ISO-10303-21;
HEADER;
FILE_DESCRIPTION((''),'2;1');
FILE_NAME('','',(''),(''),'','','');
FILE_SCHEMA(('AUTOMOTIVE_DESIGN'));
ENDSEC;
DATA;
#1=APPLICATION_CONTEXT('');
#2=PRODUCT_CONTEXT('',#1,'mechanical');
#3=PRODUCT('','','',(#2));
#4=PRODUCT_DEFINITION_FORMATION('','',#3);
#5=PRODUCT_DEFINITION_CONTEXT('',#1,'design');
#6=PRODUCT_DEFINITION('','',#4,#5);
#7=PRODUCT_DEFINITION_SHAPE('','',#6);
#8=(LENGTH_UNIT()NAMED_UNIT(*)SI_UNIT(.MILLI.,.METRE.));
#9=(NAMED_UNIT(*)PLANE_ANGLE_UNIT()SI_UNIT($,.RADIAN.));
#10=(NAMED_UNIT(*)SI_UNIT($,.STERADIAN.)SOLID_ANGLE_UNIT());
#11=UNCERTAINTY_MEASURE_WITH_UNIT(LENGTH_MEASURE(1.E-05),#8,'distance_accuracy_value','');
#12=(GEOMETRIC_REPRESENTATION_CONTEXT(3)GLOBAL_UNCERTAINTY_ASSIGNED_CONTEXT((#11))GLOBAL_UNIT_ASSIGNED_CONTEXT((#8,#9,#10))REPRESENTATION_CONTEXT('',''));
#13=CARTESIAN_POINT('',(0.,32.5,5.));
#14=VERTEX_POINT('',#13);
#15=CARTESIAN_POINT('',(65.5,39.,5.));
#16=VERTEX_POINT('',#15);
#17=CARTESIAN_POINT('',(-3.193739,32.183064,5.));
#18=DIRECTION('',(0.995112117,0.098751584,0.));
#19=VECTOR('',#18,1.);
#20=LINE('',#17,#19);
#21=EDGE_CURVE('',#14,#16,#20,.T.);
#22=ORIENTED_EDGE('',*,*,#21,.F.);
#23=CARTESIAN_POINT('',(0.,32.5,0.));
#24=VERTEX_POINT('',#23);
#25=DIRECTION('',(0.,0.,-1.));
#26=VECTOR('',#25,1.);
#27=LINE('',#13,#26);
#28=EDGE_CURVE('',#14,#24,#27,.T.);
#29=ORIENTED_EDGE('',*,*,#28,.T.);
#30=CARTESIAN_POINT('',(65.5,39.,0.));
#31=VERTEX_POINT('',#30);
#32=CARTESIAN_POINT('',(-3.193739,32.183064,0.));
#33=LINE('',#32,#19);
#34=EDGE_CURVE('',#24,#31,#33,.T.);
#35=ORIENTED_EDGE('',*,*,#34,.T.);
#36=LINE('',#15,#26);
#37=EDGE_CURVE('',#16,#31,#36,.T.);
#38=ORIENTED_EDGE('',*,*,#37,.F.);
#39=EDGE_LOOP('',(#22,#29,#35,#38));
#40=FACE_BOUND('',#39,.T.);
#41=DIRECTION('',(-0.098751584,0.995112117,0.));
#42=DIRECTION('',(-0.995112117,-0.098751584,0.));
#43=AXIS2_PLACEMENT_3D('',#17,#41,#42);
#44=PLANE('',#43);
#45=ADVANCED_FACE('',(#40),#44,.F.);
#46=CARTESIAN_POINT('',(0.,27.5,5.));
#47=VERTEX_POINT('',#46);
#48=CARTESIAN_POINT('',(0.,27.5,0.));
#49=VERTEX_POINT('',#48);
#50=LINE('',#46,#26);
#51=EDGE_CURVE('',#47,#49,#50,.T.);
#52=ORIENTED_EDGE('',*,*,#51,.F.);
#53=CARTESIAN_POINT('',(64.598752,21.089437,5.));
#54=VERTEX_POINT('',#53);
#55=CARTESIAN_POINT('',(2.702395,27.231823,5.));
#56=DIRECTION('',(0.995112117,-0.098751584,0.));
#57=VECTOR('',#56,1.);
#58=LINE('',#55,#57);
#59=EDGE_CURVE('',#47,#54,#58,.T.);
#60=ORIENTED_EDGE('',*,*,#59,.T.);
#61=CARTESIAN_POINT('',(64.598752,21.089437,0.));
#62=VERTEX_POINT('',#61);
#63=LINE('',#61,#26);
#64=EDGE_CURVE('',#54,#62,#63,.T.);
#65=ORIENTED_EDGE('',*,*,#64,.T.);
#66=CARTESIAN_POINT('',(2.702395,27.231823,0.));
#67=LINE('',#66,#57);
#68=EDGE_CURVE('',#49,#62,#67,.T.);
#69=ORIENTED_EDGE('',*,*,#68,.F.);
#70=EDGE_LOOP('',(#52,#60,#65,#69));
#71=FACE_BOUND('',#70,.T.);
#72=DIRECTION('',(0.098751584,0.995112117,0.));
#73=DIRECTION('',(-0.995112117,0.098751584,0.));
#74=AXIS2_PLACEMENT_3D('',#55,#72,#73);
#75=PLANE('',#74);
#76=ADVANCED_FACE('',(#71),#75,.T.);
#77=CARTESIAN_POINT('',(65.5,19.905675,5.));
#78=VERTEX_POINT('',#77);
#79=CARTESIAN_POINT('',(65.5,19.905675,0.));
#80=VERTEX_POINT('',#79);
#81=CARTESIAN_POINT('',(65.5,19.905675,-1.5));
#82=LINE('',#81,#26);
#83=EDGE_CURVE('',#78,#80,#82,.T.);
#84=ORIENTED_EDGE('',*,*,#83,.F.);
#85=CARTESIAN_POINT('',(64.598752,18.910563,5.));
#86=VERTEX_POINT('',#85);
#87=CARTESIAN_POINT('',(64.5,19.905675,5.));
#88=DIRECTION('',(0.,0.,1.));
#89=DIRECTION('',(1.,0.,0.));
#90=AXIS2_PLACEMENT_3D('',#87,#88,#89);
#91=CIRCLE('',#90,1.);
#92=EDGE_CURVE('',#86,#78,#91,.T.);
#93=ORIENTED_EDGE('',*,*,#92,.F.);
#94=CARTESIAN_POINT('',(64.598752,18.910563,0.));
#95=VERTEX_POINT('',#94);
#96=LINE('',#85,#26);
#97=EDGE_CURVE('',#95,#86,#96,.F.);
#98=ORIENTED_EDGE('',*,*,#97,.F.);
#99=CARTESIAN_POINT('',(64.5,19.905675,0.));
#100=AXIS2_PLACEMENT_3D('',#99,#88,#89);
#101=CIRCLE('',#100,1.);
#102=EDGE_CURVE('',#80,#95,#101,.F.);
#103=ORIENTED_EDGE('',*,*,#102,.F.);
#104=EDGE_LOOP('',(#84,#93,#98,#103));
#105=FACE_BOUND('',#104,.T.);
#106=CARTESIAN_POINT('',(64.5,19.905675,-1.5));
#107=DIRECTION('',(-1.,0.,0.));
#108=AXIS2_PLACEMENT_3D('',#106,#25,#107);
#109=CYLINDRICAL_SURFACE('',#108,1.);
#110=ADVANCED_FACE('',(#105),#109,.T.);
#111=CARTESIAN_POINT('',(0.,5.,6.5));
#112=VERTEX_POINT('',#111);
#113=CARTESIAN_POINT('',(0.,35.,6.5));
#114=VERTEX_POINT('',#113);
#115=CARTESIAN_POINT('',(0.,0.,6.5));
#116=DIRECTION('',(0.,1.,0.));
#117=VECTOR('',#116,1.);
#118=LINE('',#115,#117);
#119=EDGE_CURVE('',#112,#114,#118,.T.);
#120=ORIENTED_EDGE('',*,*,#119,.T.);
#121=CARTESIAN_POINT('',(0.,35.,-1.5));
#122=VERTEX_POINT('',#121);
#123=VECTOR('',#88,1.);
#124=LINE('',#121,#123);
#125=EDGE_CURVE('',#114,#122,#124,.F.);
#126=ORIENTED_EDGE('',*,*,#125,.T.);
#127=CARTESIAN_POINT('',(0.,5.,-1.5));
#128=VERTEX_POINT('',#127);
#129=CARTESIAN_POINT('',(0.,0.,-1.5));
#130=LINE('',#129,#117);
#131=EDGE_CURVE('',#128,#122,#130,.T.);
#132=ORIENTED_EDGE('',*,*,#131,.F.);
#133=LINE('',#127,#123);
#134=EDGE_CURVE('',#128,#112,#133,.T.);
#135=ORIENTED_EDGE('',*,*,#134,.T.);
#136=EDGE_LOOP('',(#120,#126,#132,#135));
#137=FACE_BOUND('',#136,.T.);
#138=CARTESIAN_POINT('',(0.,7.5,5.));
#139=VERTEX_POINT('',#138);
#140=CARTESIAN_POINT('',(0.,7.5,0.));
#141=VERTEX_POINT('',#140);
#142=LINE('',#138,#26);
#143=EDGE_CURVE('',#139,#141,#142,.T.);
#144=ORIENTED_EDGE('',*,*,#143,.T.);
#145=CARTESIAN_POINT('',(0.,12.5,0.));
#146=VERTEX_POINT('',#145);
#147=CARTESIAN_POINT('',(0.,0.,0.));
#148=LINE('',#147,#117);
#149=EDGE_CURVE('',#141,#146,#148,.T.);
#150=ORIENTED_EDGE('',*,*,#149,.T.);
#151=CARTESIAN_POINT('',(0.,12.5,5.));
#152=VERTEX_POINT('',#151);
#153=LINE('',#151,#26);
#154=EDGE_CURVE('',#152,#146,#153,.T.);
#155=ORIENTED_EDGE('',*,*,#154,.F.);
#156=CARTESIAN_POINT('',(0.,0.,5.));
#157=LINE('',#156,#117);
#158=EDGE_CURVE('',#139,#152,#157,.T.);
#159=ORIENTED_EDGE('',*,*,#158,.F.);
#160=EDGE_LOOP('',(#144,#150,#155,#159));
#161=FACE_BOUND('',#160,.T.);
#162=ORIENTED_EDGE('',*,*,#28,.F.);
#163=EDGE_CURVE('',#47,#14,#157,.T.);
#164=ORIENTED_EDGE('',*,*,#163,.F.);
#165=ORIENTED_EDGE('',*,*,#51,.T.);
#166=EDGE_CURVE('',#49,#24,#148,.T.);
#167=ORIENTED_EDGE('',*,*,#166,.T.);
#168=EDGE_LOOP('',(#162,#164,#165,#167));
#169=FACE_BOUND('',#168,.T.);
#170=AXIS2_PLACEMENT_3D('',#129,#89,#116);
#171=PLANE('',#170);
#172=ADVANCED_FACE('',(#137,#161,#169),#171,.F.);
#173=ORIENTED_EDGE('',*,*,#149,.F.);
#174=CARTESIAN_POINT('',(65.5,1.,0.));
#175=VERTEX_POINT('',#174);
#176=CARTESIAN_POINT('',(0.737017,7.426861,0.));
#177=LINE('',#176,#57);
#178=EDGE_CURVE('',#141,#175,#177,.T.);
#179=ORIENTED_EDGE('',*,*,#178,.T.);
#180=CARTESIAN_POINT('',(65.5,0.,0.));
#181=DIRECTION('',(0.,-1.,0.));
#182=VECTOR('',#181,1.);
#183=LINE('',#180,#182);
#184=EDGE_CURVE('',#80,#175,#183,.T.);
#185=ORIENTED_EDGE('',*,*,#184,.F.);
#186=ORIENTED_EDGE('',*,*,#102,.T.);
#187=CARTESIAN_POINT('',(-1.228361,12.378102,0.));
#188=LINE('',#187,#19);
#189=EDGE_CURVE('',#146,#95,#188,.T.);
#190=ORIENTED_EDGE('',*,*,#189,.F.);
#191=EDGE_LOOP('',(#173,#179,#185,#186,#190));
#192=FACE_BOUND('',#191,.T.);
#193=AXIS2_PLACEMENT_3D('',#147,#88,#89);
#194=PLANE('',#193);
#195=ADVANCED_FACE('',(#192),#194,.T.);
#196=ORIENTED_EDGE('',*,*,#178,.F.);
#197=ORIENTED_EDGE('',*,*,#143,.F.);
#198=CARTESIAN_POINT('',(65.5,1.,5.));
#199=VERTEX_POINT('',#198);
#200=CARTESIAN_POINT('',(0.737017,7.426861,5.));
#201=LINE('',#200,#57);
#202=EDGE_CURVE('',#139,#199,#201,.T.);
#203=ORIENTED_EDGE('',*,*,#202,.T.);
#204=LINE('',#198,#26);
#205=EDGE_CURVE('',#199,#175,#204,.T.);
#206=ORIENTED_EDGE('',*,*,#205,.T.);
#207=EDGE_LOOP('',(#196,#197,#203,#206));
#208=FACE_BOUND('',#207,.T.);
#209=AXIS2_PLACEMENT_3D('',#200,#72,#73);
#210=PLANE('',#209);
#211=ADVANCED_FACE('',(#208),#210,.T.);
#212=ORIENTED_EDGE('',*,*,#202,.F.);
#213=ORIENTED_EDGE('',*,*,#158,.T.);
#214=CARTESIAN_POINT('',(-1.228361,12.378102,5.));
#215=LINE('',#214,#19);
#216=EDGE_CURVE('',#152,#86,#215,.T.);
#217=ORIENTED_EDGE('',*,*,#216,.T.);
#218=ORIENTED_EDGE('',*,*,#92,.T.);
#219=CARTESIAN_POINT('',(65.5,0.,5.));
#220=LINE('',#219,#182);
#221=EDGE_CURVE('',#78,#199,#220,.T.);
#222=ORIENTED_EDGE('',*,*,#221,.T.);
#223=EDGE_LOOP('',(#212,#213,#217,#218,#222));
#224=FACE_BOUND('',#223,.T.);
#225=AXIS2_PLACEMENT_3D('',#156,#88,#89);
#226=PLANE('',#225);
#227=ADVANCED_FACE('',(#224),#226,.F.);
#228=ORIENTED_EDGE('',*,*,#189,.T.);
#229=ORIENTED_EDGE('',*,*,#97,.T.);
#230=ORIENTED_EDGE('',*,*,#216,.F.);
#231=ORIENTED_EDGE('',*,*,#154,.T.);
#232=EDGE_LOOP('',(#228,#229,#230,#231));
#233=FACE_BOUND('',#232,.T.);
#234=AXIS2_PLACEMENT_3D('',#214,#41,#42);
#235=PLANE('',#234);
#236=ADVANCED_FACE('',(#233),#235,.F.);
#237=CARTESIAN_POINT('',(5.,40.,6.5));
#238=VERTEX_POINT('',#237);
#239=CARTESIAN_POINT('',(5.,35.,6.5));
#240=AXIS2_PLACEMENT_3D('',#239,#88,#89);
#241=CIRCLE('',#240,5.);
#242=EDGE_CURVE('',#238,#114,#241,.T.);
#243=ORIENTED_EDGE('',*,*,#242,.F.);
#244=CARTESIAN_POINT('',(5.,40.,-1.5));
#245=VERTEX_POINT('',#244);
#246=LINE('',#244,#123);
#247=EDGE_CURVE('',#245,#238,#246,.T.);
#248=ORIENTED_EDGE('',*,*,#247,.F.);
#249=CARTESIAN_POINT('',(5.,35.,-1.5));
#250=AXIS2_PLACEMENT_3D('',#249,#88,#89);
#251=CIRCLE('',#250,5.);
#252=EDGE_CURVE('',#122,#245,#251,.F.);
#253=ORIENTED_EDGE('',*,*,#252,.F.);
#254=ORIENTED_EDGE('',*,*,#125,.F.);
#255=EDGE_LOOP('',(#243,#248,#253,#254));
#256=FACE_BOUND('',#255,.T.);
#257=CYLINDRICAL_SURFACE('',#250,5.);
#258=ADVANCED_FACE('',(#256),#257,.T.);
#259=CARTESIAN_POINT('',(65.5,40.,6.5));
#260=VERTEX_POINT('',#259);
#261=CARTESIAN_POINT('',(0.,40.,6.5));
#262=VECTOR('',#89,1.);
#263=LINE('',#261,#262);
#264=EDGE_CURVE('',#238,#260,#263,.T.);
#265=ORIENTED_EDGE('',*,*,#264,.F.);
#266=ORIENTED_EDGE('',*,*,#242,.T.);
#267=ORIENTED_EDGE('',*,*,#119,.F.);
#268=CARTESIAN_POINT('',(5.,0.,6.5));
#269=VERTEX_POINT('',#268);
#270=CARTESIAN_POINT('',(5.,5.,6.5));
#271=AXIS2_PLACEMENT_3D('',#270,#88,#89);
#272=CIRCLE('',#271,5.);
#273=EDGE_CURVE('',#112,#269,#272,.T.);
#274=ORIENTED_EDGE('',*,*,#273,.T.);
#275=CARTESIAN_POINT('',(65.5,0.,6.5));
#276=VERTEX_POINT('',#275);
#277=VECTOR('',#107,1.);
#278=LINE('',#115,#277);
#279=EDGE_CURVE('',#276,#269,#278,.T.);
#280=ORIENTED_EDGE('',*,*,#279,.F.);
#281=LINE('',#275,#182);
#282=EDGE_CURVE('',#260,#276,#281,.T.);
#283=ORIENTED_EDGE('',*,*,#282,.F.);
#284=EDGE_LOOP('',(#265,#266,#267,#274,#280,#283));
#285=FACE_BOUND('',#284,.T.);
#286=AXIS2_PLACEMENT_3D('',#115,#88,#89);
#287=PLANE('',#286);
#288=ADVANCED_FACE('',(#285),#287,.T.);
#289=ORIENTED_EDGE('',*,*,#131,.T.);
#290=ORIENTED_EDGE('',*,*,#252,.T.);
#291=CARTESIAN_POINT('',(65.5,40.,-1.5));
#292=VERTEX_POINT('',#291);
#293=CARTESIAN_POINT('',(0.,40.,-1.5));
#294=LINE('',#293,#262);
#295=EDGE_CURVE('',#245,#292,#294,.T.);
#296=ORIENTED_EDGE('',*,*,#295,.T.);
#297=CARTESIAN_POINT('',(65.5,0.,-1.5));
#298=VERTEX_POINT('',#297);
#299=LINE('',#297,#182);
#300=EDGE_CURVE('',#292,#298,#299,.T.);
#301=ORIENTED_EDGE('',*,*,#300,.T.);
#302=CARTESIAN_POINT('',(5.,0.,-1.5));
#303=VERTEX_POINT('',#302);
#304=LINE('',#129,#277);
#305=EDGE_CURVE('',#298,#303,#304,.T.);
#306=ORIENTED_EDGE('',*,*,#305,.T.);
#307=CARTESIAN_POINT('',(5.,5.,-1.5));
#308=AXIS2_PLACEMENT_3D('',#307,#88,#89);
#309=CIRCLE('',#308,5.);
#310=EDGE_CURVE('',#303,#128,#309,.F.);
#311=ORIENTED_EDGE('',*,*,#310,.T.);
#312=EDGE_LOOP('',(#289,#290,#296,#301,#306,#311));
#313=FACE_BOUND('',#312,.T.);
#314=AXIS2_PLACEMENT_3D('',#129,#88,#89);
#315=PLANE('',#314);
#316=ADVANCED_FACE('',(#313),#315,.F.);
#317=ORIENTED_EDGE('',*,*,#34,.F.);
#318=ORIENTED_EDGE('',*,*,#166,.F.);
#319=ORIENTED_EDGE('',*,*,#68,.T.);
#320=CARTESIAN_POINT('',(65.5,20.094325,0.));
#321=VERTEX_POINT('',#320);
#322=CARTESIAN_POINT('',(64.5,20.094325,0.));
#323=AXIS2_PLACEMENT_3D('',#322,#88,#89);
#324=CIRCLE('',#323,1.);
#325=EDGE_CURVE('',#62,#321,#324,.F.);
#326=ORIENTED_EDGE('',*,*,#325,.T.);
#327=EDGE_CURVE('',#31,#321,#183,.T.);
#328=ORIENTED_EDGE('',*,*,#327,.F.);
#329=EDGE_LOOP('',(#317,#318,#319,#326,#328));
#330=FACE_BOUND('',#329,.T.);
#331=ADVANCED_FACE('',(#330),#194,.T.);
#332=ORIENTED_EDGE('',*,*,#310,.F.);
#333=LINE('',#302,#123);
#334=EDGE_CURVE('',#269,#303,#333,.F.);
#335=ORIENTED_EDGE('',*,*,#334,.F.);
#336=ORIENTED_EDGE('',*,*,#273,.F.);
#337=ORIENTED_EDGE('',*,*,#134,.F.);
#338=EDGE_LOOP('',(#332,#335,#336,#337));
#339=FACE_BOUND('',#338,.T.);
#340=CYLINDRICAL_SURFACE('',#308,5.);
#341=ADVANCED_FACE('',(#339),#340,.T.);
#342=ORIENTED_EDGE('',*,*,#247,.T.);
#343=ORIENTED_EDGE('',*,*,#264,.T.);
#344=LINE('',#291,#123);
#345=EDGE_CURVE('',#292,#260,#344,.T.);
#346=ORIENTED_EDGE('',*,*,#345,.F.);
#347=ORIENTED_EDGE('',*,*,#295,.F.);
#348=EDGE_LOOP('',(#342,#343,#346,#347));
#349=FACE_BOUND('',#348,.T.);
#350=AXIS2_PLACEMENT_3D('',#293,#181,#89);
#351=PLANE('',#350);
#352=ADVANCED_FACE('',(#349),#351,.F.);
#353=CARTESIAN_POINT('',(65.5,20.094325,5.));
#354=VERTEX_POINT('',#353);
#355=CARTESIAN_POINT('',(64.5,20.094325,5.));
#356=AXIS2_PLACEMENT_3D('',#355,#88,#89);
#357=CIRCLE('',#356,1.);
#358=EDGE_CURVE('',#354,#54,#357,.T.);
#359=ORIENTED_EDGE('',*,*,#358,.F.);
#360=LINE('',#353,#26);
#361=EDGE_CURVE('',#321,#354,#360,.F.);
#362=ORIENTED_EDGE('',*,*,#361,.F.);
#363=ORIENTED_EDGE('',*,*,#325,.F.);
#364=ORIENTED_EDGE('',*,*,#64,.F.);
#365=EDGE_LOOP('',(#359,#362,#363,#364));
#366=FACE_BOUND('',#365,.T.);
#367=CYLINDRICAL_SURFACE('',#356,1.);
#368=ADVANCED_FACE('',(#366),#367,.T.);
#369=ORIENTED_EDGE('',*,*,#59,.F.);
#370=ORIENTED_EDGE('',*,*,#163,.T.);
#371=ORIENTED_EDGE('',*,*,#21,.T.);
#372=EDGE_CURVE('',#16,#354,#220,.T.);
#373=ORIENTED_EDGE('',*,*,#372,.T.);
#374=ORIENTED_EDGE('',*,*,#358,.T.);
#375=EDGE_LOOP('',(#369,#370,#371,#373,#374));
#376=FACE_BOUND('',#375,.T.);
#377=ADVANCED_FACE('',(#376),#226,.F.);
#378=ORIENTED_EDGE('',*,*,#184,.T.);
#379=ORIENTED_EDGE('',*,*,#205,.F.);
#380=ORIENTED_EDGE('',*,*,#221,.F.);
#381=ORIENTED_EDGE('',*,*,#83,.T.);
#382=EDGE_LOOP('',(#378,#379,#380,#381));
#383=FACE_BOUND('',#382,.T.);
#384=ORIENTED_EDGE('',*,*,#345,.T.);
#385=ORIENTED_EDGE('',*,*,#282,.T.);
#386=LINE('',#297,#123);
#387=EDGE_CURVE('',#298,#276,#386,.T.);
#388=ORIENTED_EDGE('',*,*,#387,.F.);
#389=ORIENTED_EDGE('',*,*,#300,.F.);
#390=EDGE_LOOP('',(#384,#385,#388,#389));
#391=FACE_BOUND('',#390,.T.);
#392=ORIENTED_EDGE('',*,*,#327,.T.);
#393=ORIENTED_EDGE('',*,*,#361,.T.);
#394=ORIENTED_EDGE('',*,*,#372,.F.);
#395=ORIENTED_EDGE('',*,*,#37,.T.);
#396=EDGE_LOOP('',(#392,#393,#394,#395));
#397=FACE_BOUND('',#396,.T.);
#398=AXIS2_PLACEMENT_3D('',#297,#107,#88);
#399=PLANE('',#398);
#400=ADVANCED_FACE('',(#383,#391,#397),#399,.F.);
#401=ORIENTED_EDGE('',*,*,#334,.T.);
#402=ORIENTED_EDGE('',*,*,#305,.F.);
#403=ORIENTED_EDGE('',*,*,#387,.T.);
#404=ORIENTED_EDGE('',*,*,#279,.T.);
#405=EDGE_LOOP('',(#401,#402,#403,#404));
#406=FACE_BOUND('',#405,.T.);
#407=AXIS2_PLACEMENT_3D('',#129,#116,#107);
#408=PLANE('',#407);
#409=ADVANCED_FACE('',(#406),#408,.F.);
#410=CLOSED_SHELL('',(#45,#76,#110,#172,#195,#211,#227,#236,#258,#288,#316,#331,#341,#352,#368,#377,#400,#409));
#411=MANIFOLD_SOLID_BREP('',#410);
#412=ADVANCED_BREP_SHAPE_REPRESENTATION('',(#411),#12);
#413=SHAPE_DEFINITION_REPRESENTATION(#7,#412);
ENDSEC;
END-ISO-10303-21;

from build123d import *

# Parameters (mm, degrees)
SKETCH1_W           = 65.5
SKETCH1_H           = 40
BOSS_EXTRUDE1_DEPTH = 1.5
BOSS_EXTRUDE2_DEPTH = 5
BOSS_EXTRUDE3_START = 5
SKETCH1_5_W         = 65.5
SKETCH1_5_H         = 40
BOSS_EXTRUDE3_DEPTH = 1.5
FILLET1_R           = 5
FILLET2_R           = 1


with BuildPart() as part:
    # Sketch1 → Boss-Extrude1 (new body)
    with BuildSketch(Plane.XY):
        with Locations((32.75, 20)):
            Rectangle(SKETCH1_W, SKETCH1_H)
    extrude(amount=-BOSS_EXTRUDE1_DEPTH)

    # Sketch1<3> → Boss-Extrude2 (add)
    with BuildSketch(Plane.XY):
        Polygon((0, 7.5), (0, 0), (65.5, 0), (65.5, 1), align=None)
        Polygon((0, 27.5), (0, 12.5), (65.5, 19), (65.5, 21), align=None)
        Polygon((0, 40), (0, 32.5), (65.5, 39), (65.5, 40), align=None)
    extrude(amount=BOSS_EXTRUDE2_DEPTH)

    # Sketch1<5> → Boss-Extrude3 (add)
    with BuildSketch(Plane.XY.offset(BOSS_EXTRUDE3_START)):
        with Locations((32.75, 20)):
            Rectangle(SKETCH1_5_W, SKETCH1_5_H)
    extrude(amount=BOSS_EXTRUDE3_DEPTH)

    # Fillet1
    fillet1_edges = [part.edges().sort_by_distance(p)[0] for p in [
        (0, 40, 2.5),
        (0, 0, 2.5),
    ]]
    fillet(fillet1_edges, radius=FILLET1_R)

    # Fillet2
    fillet2_edges = [part.edges().sort_by_distance(p)[0] for p in [
        (65.5, 21, 2.5),
        (65.5, 19, 2.5),
    ]]
    fillet(fillet2_edges, radius=FILLET2_R)


solid = part.part
